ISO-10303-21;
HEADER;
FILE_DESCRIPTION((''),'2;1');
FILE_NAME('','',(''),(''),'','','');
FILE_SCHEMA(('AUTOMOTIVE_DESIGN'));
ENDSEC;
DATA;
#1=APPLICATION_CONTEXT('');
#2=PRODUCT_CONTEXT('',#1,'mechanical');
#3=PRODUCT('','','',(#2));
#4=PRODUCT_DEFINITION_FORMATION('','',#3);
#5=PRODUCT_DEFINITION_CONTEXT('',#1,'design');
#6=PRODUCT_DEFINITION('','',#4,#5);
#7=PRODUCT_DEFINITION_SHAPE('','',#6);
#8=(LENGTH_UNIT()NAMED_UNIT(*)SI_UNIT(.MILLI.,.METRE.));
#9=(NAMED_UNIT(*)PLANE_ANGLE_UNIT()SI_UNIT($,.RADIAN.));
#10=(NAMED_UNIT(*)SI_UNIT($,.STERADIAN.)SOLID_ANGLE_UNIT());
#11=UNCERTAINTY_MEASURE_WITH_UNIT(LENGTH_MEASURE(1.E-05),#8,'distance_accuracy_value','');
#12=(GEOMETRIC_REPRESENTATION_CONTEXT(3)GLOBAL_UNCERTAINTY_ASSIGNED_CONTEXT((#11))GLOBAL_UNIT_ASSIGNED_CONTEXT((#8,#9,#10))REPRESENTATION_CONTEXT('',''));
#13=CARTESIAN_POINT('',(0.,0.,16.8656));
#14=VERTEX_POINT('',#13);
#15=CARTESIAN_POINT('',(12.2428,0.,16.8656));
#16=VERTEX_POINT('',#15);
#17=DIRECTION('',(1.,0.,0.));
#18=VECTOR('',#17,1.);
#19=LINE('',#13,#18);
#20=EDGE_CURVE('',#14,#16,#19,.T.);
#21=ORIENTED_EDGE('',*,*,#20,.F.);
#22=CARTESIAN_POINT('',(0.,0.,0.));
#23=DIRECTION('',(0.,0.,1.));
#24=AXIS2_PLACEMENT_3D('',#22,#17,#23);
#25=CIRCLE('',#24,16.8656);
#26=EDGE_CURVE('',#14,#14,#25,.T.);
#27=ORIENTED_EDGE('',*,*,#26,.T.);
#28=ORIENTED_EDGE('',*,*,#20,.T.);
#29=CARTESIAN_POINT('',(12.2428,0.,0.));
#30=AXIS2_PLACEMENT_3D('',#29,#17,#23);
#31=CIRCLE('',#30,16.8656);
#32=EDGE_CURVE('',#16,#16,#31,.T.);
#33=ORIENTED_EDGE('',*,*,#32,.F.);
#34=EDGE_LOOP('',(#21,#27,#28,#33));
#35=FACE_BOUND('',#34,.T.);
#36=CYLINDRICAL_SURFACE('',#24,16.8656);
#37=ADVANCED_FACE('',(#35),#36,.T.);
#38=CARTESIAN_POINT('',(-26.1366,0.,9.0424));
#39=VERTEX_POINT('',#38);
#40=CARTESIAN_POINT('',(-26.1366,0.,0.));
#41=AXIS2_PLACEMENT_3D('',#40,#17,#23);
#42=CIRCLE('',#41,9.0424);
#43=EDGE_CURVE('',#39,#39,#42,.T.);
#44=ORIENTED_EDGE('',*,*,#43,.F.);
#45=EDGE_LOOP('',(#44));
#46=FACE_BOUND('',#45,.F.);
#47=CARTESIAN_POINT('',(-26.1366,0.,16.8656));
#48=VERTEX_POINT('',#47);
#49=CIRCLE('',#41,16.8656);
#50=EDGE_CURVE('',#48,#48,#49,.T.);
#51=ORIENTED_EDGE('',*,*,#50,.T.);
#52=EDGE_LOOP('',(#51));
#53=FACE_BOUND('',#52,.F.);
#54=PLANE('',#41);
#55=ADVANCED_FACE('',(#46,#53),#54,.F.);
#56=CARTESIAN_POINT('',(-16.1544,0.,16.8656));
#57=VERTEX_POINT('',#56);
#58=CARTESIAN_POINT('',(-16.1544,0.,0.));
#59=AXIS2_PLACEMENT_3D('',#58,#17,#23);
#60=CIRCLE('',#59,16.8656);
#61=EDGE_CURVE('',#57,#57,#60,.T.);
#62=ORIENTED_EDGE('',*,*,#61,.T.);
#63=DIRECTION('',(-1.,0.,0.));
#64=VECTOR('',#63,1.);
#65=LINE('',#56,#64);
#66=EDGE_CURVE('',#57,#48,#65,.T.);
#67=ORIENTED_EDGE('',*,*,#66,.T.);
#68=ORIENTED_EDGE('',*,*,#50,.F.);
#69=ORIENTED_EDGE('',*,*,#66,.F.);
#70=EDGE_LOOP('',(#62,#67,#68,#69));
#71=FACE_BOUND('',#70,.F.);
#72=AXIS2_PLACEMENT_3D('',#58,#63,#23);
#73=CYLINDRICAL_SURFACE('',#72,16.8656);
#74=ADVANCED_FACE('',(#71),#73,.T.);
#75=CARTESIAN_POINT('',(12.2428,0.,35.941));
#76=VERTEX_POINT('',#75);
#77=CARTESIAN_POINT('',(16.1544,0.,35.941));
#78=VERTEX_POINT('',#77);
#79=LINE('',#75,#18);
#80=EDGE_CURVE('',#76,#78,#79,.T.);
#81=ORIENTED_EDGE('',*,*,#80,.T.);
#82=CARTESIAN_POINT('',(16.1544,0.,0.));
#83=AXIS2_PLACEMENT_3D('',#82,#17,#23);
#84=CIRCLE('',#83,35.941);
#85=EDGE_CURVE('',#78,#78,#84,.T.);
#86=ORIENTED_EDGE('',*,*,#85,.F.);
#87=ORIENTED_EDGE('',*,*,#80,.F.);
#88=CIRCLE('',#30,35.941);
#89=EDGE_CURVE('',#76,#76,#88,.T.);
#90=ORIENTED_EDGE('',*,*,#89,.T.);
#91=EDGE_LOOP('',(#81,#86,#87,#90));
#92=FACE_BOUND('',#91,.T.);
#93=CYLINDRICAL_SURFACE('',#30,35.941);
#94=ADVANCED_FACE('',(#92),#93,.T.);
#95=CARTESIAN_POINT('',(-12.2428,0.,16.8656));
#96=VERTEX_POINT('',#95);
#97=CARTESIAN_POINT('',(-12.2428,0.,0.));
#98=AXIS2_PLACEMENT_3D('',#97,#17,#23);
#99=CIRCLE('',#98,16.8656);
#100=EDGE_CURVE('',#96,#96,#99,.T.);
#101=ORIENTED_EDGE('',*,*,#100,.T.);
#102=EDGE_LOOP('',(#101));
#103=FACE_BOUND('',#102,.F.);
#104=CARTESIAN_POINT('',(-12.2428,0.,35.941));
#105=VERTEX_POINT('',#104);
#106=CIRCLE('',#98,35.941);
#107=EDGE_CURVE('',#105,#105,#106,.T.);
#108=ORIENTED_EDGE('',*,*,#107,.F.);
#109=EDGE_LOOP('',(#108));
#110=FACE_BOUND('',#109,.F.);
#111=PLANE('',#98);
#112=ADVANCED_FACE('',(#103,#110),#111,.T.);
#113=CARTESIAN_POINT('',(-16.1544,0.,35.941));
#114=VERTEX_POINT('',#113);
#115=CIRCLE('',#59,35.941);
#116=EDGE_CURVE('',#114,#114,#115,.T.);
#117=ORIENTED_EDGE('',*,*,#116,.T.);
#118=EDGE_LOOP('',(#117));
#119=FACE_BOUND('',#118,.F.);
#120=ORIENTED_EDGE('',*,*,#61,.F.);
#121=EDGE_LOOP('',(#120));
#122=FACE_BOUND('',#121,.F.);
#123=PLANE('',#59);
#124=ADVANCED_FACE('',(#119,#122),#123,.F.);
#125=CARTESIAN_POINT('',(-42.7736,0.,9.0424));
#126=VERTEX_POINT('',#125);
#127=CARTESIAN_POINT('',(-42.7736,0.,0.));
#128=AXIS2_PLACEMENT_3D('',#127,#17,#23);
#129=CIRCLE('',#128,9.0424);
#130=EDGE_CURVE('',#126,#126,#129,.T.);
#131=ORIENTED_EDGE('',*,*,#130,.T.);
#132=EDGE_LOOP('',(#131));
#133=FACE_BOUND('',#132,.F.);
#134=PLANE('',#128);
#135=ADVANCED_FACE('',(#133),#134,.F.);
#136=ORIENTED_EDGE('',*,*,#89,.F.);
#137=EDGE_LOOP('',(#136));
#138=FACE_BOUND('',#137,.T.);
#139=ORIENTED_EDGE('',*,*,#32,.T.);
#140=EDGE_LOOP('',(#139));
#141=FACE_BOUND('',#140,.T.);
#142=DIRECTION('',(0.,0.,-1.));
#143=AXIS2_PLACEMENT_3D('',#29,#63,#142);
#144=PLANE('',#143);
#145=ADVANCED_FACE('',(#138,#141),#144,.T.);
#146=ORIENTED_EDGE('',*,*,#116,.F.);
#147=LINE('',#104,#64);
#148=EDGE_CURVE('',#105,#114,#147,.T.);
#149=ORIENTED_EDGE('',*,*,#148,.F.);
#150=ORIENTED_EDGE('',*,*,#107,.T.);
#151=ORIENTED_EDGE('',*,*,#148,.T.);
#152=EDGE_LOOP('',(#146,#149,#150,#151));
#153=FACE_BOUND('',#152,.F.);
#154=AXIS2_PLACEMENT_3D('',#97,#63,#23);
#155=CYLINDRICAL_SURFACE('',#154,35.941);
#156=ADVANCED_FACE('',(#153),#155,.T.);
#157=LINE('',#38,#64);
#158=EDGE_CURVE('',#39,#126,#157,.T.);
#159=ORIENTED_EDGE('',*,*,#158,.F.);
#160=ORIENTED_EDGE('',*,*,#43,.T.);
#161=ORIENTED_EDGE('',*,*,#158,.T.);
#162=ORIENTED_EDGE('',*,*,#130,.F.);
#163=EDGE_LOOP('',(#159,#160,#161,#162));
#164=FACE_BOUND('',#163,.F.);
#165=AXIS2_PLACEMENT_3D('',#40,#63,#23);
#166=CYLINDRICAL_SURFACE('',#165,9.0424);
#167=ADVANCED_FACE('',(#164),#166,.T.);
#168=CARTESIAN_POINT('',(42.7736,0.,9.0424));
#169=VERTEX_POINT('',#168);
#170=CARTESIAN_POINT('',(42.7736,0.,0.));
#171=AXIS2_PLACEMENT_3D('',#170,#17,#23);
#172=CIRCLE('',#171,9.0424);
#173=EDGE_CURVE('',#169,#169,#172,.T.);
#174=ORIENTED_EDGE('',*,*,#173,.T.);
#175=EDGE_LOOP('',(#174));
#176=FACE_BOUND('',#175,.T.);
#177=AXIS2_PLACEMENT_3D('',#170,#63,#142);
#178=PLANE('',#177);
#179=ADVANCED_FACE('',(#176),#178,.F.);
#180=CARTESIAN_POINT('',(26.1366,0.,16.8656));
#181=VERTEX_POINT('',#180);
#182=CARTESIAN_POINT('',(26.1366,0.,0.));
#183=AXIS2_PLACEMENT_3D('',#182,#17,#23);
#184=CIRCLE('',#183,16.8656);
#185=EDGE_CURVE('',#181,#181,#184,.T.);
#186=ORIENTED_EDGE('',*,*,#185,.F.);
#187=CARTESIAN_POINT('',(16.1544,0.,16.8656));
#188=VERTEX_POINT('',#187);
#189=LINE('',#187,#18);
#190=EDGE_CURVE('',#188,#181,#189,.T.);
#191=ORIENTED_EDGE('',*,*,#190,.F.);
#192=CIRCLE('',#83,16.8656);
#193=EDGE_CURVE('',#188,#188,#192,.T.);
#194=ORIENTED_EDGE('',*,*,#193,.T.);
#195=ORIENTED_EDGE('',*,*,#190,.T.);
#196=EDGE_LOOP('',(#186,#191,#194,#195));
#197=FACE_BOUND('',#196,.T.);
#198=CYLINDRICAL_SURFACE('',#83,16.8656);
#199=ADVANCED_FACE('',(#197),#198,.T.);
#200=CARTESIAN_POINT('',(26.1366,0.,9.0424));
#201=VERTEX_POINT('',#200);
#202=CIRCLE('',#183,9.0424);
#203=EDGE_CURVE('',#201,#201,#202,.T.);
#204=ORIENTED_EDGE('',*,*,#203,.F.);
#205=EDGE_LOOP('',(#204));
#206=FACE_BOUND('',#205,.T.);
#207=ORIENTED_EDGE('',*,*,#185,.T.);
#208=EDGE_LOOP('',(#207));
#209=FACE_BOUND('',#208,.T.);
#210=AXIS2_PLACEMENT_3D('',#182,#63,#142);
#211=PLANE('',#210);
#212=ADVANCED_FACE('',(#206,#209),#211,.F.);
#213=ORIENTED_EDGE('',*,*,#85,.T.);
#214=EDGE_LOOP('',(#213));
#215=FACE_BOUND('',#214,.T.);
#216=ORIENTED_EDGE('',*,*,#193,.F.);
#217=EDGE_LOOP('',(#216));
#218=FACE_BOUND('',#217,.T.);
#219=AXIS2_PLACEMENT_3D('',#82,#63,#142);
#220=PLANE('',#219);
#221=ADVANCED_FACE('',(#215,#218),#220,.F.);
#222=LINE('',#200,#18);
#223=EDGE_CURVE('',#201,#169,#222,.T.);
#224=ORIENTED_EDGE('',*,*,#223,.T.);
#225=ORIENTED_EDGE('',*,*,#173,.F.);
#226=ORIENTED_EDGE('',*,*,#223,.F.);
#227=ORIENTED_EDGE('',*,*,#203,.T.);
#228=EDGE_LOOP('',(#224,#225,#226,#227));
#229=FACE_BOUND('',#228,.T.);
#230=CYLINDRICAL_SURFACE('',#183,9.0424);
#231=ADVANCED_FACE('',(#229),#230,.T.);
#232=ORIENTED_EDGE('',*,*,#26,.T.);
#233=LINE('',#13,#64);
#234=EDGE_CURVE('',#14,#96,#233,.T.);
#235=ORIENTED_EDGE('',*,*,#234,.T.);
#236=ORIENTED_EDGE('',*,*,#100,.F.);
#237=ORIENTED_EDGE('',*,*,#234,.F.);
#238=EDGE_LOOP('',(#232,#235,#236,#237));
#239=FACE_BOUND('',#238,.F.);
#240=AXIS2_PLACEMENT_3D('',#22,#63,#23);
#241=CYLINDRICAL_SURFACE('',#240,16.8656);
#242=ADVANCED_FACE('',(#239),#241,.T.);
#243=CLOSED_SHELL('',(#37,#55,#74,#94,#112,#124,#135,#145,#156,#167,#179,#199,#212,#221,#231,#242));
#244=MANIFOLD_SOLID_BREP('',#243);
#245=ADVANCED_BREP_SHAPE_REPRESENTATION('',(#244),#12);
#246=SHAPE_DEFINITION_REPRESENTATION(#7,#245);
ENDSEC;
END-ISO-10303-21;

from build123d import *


with BuildPart() as f1:
    # F0 (on Front) → F1 (revolve)
    with BuildSketch(Plane.XZ):
        Polygon((-26.1366, 9.0424), (-42.7736, 9.0424), (-42.7736, 0), (0, 0), (0, 9.0424), (0, 16.8656), (-12.2428, 16.8656), (-12.2428, 35.941), (-16.1544, 35.941), (-16.1544, 16.8656), (-26.1366, 16.8656), align=None)
    revolve(axis=Axis((-21.3868, 0, 0), (1, 0, 0)))

    # F2: F1 across plane


with BuildPart() as f1_1:
    add(f1.part)
    add(f1.part.mirror(Plane.YZ))


solid = f1_1.part
